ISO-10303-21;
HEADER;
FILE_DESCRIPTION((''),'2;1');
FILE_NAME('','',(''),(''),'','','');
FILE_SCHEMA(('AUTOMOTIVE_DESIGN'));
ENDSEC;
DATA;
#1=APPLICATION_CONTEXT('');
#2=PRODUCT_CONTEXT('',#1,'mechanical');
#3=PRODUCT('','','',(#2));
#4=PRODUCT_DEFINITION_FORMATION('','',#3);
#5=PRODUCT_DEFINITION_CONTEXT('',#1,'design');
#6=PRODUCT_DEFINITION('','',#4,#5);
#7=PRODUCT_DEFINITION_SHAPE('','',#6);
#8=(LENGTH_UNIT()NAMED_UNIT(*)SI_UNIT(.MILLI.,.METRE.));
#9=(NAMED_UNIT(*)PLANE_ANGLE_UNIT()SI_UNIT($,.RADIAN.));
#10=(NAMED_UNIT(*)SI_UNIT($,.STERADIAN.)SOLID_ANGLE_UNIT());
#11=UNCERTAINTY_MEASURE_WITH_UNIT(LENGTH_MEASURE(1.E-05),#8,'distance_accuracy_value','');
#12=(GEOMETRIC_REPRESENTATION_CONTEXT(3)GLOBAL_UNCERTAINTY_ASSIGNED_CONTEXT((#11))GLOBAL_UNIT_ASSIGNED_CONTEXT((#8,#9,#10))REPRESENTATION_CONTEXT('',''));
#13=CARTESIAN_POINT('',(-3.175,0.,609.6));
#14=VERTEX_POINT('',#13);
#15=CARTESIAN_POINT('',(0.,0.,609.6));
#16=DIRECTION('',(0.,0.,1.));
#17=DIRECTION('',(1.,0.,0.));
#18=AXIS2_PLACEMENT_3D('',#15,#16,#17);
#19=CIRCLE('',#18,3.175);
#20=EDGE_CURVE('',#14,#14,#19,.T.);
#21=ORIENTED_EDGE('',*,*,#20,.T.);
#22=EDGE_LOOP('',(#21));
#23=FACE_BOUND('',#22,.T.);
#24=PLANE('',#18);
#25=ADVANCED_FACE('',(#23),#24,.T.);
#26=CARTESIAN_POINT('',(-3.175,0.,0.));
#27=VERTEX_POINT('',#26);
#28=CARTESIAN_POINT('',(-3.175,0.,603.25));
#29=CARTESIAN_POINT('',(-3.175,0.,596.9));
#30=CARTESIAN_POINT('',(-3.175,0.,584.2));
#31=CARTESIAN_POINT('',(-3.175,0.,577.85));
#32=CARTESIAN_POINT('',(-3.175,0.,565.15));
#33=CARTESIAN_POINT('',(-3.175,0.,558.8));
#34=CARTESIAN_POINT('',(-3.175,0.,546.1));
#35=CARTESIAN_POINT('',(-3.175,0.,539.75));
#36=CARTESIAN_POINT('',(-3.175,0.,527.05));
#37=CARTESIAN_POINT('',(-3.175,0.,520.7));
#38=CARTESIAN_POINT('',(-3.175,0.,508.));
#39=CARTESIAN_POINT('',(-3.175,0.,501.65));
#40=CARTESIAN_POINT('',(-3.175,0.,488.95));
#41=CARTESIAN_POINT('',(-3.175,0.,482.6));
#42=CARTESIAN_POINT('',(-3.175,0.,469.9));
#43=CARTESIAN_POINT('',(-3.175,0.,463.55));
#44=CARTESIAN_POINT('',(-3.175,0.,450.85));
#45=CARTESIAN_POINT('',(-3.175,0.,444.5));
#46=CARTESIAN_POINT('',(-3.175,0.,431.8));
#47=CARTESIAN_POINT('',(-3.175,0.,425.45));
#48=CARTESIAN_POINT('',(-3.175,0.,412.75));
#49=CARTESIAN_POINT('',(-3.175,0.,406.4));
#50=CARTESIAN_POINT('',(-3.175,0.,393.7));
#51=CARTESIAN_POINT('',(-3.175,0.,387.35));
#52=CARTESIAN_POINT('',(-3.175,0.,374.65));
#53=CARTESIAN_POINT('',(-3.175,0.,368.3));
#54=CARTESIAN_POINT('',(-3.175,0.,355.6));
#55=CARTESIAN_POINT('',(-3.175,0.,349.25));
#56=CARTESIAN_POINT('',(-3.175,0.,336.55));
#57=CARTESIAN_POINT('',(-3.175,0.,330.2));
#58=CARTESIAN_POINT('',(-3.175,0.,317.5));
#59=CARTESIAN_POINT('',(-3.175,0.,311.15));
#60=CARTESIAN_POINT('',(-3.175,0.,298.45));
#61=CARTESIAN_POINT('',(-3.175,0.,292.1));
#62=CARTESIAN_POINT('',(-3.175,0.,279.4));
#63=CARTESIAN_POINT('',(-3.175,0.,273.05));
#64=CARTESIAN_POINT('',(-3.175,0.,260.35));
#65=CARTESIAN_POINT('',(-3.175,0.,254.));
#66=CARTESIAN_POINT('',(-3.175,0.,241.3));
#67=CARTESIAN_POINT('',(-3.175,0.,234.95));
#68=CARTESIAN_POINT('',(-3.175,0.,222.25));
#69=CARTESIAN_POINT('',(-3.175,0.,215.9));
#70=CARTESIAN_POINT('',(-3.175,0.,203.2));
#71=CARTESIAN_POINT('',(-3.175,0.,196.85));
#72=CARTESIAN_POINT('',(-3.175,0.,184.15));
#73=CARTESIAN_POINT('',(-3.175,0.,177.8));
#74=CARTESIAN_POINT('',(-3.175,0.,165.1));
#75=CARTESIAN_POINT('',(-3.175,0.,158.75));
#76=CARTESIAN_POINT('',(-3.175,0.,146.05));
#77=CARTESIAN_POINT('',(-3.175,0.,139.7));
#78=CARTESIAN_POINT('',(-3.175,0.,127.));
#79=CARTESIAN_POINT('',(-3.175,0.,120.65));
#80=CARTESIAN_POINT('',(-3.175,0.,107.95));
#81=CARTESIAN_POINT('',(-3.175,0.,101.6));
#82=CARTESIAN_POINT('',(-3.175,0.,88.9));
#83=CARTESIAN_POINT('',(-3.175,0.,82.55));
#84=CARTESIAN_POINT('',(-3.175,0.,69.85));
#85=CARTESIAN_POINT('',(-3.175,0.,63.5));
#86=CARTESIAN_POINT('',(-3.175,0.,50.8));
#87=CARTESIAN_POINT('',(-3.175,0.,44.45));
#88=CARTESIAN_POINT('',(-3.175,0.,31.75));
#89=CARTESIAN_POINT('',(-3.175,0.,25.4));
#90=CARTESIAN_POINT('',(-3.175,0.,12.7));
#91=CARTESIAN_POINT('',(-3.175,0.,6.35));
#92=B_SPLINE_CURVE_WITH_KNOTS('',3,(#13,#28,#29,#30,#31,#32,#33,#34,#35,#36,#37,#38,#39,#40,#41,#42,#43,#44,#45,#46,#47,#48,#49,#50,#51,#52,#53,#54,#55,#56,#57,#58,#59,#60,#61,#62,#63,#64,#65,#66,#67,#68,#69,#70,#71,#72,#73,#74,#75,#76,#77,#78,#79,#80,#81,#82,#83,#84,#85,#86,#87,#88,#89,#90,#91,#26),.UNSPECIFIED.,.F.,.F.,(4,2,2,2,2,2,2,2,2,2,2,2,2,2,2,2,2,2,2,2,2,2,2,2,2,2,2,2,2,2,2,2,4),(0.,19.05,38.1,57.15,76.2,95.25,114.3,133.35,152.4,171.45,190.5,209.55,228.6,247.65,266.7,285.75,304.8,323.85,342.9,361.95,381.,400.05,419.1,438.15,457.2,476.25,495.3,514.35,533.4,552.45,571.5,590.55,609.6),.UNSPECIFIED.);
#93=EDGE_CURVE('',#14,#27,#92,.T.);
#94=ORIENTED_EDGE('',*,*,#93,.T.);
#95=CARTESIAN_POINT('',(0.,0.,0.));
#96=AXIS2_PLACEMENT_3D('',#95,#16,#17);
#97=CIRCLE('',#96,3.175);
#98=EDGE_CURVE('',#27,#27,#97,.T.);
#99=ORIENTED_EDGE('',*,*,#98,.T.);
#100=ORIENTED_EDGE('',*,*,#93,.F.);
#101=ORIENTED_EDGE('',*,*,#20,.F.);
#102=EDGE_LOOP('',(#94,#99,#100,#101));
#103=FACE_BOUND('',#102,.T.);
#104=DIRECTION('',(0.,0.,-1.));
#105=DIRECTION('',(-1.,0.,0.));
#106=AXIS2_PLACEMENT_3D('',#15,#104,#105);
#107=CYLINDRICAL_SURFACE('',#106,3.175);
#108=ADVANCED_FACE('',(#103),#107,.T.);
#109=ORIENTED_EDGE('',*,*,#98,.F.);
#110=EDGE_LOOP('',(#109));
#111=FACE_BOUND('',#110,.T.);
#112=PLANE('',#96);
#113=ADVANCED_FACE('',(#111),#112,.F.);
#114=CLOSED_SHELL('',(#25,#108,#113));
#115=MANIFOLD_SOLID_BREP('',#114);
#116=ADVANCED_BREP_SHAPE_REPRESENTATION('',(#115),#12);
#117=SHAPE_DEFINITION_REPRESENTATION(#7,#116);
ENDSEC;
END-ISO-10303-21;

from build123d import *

# Parameters (mm, degrees)
SKETCH1_R           = 3.175
BOSS_EXTRUDE1_DEPTH = 609.6


with BuildPart() as part:
    # Sketch1 → Boss-Extrude1 (new body)
    with BuildSketch(Plane.XY):
        with Locations(Location((0, 0, 0), (0, 0, 180))):
            Circle(SKETCH1_R)
    extrude(amount=BOSS_EXTRUDE1_DEPTH)


solid = part.part
